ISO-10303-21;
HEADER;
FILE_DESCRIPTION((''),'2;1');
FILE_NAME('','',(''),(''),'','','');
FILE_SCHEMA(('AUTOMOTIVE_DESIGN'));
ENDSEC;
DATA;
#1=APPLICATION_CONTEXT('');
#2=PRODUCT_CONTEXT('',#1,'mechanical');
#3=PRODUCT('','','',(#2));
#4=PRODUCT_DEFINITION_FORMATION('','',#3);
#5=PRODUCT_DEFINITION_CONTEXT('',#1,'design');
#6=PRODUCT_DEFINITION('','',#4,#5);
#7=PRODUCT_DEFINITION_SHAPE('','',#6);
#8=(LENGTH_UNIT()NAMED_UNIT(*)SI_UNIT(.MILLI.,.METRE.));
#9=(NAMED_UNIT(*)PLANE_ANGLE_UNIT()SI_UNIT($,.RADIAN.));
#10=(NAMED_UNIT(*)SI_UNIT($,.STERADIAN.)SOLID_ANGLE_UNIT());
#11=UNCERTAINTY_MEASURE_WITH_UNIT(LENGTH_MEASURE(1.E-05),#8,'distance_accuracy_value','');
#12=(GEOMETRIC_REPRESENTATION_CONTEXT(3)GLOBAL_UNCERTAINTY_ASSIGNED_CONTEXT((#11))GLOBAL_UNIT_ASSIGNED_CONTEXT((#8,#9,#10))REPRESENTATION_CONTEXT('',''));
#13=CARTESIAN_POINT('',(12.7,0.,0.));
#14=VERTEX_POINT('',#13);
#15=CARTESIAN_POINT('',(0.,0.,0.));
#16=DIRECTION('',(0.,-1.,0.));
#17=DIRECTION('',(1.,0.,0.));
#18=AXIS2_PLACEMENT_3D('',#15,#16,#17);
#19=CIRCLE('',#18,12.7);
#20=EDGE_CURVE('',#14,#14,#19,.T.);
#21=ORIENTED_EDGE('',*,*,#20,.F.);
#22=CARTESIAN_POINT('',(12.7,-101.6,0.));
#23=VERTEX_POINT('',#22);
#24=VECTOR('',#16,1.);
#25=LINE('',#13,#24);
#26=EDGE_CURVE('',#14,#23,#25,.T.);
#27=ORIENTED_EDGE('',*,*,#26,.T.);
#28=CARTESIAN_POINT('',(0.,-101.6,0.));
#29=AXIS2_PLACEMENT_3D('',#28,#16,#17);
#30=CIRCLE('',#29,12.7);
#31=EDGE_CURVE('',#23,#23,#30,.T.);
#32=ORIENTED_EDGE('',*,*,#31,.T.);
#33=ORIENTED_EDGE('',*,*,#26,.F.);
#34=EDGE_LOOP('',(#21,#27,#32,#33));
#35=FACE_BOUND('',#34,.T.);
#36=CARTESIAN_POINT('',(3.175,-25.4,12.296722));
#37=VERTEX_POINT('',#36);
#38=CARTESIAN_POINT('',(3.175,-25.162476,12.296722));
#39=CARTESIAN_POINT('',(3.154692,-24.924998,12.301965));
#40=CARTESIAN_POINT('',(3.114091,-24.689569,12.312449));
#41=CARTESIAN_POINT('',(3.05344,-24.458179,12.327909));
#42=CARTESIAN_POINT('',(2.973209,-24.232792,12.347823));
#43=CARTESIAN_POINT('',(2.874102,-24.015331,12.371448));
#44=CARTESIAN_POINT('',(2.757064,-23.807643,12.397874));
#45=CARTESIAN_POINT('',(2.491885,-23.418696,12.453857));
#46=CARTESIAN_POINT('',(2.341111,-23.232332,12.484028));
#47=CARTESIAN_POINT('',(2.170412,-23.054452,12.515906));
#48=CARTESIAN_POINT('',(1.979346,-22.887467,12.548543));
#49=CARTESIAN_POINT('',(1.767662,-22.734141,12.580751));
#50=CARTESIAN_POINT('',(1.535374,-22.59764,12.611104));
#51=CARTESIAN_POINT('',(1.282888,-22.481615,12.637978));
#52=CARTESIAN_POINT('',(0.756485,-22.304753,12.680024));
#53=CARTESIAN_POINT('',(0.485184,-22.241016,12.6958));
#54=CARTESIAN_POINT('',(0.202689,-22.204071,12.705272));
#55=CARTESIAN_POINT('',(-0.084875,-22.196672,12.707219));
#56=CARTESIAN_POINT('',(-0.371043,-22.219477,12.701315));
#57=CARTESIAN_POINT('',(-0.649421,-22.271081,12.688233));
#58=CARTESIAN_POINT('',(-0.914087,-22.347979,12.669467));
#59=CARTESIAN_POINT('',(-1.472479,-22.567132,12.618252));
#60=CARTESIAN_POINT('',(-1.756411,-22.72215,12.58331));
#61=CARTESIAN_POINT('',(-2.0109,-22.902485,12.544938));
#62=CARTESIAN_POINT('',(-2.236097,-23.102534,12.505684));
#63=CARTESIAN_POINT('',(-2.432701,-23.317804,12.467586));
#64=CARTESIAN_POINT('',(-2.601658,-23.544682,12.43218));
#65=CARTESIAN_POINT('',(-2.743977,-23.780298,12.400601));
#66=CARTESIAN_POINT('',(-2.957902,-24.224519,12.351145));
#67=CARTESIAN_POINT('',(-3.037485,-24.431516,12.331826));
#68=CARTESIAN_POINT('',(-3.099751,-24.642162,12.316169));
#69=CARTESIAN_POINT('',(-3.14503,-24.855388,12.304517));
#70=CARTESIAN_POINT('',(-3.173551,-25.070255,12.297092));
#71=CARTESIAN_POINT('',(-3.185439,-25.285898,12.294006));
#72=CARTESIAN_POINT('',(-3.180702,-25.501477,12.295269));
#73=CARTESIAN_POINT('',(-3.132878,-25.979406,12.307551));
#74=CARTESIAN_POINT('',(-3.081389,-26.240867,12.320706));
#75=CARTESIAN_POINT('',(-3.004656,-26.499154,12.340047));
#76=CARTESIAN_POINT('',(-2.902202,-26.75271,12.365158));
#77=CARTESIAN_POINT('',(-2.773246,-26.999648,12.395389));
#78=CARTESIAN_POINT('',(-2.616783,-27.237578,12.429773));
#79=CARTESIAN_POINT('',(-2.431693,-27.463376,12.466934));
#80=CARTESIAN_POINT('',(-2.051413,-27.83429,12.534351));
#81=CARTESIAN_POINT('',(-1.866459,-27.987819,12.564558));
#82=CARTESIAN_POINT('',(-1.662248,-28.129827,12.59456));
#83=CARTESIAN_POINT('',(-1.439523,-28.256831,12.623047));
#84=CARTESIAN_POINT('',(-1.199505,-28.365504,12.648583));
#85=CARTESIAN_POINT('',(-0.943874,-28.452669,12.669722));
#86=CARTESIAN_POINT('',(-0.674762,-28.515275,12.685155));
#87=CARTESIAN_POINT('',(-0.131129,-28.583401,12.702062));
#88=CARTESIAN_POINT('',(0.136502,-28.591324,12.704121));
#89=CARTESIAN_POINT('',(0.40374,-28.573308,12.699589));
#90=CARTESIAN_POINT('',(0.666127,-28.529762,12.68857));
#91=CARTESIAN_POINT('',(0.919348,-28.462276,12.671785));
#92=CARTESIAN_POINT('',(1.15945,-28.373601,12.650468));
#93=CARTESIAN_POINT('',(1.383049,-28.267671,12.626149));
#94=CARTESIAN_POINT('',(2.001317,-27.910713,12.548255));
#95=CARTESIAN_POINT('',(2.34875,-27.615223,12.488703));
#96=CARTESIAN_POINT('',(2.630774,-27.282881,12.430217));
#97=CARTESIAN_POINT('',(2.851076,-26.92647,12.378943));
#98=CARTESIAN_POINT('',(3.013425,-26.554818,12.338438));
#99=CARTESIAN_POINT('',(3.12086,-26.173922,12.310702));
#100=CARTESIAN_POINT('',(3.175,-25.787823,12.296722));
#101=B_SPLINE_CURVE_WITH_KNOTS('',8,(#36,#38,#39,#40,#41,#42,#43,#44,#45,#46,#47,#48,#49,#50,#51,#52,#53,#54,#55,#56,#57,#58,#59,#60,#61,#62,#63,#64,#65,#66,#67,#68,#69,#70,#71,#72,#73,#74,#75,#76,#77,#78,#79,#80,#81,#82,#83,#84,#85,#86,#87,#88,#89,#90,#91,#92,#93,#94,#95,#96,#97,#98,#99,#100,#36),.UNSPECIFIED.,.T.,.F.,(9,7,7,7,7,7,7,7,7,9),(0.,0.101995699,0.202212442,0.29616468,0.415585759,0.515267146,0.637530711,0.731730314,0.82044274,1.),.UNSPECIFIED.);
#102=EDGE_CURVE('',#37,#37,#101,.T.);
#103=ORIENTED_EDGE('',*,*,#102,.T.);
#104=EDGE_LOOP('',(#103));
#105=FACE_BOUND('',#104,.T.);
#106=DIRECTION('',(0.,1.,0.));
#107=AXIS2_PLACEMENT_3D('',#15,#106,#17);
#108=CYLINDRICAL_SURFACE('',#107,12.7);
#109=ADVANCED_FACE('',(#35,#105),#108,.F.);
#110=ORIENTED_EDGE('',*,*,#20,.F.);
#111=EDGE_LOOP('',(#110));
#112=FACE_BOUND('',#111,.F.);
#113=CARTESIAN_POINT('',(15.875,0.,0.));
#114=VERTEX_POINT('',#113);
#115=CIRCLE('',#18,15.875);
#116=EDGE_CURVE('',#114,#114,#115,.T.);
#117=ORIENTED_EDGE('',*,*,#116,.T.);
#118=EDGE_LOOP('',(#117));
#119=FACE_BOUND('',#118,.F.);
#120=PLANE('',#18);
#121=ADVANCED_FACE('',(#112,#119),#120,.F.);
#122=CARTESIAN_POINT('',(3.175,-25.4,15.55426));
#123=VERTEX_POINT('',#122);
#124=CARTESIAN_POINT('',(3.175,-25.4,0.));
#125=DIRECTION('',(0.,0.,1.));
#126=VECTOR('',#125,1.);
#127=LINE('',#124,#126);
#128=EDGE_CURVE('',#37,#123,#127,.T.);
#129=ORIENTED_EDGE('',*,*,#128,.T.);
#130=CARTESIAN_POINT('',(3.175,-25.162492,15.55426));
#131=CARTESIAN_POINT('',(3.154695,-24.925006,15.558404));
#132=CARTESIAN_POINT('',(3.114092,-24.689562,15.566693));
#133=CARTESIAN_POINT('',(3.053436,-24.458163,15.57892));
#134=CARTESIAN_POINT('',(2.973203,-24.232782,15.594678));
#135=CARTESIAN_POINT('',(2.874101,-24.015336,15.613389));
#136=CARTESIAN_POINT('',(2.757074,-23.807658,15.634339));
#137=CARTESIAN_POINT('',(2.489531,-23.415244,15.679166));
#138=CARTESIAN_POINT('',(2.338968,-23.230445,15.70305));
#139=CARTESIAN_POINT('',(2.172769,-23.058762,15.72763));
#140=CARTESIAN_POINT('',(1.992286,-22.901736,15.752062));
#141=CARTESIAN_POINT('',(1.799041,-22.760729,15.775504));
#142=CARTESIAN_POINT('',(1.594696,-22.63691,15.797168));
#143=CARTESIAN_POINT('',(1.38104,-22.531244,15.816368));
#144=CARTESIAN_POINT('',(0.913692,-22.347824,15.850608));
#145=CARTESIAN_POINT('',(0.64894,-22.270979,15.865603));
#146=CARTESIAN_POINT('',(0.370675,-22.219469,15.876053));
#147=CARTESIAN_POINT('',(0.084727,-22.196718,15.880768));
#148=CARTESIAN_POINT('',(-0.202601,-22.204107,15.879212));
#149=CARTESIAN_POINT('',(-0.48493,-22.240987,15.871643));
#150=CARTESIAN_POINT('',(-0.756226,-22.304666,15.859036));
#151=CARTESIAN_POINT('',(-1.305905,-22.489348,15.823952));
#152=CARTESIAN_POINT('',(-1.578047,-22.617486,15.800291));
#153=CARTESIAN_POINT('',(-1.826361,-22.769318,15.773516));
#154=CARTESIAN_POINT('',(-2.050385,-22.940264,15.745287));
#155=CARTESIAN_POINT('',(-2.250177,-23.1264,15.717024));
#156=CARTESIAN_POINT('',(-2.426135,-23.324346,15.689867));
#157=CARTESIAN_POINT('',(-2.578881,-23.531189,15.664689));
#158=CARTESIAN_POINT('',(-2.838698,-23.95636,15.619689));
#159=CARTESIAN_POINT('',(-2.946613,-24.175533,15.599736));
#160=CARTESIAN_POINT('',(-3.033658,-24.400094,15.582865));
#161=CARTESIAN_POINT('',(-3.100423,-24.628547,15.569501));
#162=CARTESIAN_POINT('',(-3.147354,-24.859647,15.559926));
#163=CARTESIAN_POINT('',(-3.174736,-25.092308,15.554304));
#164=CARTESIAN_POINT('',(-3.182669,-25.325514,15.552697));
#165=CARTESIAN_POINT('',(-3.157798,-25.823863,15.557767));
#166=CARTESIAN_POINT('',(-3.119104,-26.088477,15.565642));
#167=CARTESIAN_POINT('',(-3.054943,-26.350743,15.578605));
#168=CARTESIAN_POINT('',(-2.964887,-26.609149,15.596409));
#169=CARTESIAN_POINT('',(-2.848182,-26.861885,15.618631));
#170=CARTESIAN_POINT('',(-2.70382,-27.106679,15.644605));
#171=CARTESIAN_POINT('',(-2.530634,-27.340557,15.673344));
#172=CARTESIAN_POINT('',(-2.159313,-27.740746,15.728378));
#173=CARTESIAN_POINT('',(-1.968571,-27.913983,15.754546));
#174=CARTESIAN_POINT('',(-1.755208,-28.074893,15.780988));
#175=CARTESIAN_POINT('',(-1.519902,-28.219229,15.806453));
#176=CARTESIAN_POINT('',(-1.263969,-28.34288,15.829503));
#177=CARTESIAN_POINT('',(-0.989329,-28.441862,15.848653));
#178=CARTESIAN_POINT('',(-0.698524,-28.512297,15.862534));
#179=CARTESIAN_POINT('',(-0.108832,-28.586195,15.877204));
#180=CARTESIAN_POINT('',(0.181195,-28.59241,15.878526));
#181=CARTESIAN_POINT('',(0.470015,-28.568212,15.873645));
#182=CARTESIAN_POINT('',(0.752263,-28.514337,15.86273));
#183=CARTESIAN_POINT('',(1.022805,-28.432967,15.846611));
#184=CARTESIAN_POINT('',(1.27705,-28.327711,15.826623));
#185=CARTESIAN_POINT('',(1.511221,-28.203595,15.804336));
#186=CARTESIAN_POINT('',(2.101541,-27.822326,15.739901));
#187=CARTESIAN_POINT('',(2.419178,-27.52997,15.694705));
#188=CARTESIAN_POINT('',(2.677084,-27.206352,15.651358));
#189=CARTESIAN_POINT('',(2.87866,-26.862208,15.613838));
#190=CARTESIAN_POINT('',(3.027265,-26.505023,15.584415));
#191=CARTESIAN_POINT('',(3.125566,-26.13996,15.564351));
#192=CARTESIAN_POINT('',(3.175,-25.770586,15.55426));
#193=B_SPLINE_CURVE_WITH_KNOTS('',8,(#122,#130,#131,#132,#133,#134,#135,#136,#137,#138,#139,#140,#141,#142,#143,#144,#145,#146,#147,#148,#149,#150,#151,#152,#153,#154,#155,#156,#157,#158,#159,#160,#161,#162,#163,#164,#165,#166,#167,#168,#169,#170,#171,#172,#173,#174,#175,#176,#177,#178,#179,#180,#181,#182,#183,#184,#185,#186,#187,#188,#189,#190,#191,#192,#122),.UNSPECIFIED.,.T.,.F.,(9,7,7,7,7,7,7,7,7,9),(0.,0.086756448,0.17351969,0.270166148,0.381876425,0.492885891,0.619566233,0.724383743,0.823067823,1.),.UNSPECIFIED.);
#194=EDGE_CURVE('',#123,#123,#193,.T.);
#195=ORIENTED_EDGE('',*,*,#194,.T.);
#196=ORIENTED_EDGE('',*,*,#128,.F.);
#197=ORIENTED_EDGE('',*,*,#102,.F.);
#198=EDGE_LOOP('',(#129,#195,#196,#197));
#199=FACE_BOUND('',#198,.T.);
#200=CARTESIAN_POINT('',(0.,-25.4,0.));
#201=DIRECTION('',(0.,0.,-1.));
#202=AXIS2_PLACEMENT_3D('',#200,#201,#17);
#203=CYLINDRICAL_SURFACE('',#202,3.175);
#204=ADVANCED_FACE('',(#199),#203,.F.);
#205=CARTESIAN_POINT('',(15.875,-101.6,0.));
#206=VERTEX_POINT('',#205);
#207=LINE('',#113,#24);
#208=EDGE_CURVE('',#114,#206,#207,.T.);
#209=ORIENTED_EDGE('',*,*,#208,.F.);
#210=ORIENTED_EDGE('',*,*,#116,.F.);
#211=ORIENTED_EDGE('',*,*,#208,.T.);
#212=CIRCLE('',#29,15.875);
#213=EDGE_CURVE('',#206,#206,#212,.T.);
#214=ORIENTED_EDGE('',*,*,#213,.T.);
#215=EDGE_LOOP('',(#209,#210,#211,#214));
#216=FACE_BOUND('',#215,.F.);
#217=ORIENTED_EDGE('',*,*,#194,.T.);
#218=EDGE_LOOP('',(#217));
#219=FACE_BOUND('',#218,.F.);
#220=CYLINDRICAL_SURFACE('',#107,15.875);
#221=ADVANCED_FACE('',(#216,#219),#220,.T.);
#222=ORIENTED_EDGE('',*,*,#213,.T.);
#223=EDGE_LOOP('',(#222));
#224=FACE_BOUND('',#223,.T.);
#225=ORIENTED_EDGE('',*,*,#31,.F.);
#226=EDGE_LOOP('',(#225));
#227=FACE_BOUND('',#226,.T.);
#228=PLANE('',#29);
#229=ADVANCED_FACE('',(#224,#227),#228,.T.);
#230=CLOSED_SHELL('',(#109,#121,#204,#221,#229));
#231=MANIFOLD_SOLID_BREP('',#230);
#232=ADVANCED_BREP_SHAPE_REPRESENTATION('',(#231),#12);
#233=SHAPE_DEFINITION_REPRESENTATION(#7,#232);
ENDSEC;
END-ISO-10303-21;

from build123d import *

# Parameters (mm, degrees)
F0_R     = 15.875
F0_R_2   = 12.7
F1_DEPTH = 101.6
F2_R     = 3.175
F3_DEPTH = 15.876


with BuildPart() as f1:
    # F0 (on Front) → F1 (new body)
    with BuildSketch(Plane.XZ):
        Circle(F0_R)
        Circle(F0_R_2, mode=Mode.SUBTRACT)
    extrude(amount=F1_DEPTH)

    # F2 (on Top) → F3 (cut, through all)
    with BuildSketch(Plane.XY):
        with Locations((0, -25.4)):
            Circle(F2_R)
    extrude(amount=F3_DEPTH, mode=Mode.SUBTRACT)


solid = f1.part
